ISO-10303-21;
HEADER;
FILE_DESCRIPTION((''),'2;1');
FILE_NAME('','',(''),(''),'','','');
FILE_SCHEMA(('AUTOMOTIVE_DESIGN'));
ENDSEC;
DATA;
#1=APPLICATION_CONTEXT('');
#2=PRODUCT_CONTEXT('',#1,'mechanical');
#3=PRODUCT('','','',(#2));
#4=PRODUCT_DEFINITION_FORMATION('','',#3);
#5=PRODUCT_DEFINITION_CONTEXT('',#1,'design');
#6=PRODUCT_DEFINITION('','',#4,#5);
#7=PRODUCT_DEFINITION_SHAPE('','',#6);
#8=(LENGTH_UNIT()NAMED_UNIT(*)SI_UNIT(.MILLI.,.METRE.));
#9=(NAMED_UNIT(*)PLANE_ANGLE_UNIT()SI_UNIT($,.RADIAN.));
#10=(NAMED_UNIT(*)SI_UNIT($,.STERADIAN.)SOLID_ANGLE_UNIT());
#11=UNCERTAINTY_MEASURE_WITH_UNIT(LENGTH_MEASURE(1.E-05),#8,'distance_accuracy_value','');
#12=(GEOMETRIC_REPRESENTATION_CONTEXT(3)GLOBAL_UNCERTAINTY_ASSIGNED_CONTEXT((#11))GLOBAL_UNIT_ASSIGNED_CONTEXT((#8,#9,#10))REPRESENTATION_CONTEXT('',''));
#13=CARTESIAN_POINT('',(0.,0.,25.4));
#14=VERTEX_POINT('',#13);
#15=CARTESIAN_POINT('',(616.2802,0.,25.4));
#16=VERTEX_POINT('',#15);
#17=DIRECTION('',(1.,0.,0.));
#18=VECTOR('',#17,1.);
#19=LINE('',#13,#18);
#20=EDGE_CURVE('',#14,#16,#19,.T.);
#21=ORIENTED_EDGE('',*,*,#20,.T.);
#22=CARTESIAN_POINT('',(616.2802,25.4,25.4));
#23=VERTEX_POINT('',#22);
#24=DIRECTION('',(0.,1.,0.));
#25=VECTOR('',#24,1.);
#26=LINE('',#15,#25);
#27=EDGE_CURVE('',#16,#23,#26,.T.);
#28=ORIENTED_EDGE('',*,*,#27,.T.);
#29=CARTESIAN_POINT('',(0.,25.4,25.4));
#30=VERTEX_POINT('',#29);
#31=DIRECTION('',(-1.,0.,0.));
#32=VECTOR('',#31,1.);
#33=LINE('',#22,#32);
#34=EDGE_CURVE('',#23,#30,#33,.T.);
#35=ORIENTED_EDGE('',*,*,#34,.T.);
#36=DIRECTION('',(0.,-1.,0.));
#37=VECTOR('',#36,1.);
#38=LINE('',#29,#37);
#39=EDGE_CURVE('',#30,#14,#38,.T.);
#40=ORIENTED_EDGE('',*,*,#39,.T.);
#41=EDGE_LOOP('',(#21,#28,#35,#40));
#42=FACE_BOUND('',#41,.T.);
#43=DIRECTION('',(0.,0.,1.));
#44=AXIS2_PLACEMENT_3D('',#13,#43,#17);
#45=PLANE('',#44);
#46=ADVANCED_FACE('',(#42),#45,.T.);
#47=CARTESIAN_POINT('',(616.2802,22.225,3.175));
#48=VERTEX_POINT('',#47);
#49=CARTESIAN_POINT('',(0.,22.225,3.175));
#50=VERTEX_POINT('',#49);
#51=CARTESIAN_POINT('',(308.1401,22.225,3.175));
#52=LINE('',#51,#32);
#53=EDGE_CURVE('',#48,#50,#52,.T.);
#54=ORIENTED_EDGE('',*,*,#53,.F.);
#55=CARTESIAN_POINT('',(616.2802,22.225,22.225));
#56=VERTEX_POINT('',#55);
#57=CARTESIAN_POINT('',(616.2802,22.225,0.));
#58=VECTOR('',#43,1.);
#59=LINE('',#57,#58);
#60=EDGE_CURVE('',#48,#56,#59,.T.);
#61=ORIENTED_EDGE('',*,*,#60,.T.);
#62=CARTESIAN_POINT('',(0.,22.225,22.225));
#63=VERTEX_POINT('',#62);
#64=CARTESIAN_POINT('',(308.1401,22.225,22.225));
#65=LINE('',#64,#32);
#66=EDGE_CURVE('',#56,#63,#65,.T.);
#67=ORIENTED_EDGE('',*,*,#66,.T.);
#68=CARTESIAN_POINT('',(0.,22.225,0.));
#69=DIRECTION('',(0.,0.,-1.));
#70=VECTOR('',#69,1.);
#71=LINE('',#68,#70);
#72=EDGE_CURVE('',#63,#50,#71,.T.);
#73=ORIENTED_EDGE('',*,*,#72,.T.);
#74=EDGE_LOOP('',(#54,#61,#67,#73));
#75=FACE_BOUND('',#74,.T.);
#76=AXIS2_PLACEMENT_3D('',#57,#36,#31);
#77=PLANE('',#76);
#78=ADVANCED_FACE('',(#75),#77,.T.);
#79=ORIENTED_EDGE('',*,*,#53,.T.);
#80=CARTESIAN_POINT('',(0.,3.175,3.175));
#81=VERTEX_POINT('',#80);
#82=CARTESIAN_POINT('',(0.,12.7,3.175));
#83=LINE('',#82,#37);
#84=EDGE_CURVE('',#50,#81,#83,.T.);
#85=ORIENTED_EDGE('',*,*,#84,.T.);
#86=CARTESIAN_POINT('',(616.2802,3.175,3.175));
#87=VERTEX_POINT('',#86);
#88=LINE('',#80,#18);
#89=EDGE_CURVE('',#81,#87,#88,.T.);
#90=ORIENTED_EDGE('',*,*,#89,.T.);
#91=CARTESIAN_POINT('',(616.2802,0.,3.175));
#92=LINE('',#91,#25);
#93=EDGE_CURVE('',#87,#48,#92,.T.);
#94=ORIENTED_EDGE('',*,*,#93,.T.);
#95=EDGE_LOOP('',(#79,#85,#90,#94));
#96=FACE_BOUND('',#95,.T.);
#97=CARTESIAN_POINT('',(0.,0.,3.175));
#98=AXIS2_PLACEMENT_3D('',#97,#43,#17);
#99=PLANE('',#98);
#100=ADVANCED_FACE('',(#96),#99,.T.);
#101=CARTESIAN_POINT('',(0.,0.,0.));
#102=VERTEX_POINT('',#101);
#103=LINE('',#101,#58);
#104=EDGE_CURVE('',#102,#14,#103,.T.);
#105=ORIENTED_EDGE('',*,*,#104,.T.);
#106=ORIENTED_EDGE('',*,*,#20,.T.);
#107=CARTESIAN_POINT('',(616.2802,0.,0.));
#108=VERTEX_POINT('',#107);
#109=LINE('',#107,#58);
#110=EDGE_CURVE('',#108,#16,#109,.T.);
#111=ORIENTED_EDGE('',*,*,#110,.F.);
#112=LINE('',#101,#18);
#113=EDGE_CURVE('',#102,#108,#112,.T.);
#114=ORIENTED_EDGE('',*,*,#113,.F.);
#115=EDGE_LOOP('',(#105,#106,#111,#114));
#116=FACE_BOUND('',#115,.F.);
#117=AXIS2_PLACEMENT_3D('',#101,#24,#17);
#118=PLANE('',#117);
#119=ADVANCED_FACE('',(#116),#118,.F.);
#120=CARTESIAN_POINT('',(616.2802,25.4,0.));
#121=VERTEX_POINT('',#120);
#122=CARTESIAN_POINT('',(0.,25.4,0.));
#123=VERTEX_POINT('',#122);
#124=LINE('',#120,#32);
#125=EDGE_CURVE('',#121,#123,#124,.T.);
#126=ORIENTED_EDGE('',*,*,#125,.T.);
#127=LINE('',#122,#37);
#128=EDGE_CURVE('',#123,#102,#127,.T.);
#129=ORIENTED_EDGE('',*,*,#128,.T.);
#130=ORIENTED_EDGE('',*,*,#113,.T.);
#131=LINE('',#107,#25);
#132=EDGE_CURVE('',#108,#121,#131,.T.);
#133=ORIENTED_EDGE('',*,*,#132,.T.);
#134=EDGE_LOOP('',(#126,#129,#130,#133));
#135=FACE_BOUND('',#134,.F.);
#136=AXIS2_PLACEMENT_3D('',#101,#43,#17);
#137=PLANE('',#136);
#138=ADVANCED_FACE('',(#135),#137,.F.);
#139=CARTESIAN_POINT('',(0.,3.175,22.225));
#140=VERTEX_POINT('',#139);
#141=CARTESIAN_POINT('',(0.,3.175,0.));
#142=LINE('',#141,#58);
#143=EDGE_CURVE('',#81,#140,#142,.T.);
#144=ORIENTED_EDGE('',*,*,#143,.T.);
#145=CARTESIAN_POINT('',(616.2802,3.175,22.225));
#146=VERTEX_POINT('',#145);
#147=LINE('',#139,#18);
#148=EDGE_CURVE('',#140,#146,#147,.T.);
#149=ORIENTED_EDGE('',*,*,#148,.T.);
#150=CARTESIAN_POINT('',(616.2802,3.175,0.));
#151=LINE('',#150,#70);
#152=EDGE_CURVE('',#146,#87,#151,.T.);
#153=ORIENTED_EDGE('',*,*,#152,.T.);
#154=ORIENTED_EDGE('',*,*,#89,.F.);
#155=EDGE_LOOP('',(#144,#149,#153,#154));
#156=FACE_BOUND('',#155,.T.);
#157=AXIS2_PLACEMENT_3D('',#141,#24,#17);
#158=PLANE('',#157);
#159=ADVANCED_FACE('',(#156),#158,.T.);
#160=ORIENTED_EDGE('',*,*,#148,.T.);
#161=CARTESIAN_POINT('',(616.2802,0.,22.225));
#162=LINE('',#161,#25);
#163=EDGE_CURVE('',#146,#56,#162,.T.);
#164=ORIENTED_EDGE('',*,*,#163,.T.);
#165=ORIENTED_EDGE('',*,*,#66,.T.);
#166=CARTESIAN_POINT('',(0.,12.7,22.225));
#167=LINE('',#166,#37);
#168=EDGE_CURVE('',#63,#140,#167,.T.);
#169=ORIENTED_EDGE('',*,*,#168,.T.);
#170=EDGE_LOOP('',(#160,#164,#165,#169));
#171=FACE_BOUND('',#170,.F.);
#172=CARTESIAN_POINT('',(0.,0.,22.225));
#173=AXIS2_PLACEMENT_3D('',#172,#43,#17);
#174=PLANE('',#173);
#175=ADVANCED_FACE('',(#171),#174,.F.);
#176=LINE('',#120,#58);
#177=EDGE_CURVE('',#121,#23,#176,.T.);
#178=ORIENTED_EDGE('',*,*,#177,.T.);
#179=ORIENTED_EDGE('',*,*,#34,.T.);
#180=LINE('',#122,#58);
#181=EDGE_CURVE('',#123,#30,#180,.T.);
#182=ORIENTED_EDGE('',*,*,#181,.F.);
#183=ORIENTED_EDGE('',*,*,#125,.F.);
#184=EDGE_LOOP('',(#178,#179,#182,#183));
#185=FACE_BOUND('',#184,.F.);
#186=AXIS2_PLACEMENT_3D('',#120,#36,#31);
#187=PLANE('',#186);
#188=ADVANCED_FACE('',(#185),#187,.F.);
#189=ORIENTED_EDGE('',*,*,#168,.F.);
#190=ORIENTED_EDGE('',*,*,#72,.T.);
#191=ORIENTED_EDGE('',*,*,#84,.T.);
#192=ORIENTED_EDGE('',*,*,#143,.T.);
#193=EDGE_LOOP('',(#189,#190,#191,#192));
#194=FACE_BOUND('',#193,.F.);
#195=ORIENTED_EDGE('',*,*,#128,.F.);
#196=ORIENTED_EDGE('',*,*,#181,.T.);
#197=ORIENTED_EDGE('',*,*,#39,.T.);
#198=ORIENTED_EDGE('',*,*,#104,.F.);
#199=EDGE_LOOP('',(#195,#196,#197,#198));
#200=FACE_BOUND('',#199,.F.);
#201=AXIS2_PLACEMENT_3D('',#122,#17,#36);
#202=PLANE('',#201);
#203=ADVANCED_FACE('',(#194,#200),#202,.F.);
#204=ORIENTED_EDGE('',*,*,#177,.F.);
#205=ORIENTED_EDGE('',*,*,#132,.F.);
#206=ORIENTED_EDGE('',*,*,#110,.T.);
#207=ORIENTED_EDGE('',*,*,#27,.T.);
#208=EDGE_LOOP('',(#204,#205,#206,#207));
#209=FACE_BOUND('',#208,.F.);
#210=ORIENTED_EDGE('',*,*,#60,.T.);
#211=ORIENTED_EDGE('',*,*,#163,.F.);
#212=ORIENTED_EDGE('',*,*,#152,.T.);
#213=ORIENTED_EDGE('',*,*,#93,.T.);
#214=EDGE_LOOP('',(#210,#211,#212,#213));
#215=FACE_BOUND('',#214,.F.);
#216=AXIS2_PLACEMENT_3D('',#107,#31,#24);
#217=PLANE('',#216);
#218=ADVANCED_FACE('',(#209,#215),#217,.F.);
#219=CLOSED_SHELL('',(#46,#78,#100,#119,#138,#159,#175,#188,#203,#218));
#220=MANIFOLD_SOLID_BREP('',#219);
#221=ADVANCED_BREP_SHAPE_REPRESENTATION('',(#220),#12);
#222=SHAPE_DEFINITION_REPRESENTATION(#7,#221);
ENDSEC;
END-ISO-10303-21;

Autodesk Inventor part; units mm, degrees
ref_plane "YZ Plane" through (0, 0, 0) normal (1, 0, 0) x (0, 1, 0)
ref_plane "XZ Plane" through (0, 0, 0) normal (0, 1, 0) x (-1, 0, 0)
ref_plane "XY Plane" through (0, 0, 0) normal (0, 0, 1) x (1, 0, 0)
sketch "Sketch1" plane through (0, 0, 0) normal (0, 0, 1) x (1, 0, 0)
  line L0 (0, 0) -> (616.2802, 0)
  line L1 (616.2802, 0) -> (616.2802, 25.4)
  line L2 (616.2802, 25.4) -> (0, 25.4)
  line L3 (0, 25.4) -> (0, 0)
  dimension "d0" = 616.2802
  dimension "d1" = 25.4
extrude "Extrusion1" add sketch "Sketch1" along normal blind 25.4
shell "Shell1" thickness 3.175 removed faces 2 at (0, 16.9333, 8.4667) at (616.2802, 8.4667, 8.4667)
sketch "Sketch2" plane through (0, 0, 25.4) normal (0, 0, 1) x (1, 0, 0)
  point P0 (0, 0)
properties part number "Kermit Frame 13"
